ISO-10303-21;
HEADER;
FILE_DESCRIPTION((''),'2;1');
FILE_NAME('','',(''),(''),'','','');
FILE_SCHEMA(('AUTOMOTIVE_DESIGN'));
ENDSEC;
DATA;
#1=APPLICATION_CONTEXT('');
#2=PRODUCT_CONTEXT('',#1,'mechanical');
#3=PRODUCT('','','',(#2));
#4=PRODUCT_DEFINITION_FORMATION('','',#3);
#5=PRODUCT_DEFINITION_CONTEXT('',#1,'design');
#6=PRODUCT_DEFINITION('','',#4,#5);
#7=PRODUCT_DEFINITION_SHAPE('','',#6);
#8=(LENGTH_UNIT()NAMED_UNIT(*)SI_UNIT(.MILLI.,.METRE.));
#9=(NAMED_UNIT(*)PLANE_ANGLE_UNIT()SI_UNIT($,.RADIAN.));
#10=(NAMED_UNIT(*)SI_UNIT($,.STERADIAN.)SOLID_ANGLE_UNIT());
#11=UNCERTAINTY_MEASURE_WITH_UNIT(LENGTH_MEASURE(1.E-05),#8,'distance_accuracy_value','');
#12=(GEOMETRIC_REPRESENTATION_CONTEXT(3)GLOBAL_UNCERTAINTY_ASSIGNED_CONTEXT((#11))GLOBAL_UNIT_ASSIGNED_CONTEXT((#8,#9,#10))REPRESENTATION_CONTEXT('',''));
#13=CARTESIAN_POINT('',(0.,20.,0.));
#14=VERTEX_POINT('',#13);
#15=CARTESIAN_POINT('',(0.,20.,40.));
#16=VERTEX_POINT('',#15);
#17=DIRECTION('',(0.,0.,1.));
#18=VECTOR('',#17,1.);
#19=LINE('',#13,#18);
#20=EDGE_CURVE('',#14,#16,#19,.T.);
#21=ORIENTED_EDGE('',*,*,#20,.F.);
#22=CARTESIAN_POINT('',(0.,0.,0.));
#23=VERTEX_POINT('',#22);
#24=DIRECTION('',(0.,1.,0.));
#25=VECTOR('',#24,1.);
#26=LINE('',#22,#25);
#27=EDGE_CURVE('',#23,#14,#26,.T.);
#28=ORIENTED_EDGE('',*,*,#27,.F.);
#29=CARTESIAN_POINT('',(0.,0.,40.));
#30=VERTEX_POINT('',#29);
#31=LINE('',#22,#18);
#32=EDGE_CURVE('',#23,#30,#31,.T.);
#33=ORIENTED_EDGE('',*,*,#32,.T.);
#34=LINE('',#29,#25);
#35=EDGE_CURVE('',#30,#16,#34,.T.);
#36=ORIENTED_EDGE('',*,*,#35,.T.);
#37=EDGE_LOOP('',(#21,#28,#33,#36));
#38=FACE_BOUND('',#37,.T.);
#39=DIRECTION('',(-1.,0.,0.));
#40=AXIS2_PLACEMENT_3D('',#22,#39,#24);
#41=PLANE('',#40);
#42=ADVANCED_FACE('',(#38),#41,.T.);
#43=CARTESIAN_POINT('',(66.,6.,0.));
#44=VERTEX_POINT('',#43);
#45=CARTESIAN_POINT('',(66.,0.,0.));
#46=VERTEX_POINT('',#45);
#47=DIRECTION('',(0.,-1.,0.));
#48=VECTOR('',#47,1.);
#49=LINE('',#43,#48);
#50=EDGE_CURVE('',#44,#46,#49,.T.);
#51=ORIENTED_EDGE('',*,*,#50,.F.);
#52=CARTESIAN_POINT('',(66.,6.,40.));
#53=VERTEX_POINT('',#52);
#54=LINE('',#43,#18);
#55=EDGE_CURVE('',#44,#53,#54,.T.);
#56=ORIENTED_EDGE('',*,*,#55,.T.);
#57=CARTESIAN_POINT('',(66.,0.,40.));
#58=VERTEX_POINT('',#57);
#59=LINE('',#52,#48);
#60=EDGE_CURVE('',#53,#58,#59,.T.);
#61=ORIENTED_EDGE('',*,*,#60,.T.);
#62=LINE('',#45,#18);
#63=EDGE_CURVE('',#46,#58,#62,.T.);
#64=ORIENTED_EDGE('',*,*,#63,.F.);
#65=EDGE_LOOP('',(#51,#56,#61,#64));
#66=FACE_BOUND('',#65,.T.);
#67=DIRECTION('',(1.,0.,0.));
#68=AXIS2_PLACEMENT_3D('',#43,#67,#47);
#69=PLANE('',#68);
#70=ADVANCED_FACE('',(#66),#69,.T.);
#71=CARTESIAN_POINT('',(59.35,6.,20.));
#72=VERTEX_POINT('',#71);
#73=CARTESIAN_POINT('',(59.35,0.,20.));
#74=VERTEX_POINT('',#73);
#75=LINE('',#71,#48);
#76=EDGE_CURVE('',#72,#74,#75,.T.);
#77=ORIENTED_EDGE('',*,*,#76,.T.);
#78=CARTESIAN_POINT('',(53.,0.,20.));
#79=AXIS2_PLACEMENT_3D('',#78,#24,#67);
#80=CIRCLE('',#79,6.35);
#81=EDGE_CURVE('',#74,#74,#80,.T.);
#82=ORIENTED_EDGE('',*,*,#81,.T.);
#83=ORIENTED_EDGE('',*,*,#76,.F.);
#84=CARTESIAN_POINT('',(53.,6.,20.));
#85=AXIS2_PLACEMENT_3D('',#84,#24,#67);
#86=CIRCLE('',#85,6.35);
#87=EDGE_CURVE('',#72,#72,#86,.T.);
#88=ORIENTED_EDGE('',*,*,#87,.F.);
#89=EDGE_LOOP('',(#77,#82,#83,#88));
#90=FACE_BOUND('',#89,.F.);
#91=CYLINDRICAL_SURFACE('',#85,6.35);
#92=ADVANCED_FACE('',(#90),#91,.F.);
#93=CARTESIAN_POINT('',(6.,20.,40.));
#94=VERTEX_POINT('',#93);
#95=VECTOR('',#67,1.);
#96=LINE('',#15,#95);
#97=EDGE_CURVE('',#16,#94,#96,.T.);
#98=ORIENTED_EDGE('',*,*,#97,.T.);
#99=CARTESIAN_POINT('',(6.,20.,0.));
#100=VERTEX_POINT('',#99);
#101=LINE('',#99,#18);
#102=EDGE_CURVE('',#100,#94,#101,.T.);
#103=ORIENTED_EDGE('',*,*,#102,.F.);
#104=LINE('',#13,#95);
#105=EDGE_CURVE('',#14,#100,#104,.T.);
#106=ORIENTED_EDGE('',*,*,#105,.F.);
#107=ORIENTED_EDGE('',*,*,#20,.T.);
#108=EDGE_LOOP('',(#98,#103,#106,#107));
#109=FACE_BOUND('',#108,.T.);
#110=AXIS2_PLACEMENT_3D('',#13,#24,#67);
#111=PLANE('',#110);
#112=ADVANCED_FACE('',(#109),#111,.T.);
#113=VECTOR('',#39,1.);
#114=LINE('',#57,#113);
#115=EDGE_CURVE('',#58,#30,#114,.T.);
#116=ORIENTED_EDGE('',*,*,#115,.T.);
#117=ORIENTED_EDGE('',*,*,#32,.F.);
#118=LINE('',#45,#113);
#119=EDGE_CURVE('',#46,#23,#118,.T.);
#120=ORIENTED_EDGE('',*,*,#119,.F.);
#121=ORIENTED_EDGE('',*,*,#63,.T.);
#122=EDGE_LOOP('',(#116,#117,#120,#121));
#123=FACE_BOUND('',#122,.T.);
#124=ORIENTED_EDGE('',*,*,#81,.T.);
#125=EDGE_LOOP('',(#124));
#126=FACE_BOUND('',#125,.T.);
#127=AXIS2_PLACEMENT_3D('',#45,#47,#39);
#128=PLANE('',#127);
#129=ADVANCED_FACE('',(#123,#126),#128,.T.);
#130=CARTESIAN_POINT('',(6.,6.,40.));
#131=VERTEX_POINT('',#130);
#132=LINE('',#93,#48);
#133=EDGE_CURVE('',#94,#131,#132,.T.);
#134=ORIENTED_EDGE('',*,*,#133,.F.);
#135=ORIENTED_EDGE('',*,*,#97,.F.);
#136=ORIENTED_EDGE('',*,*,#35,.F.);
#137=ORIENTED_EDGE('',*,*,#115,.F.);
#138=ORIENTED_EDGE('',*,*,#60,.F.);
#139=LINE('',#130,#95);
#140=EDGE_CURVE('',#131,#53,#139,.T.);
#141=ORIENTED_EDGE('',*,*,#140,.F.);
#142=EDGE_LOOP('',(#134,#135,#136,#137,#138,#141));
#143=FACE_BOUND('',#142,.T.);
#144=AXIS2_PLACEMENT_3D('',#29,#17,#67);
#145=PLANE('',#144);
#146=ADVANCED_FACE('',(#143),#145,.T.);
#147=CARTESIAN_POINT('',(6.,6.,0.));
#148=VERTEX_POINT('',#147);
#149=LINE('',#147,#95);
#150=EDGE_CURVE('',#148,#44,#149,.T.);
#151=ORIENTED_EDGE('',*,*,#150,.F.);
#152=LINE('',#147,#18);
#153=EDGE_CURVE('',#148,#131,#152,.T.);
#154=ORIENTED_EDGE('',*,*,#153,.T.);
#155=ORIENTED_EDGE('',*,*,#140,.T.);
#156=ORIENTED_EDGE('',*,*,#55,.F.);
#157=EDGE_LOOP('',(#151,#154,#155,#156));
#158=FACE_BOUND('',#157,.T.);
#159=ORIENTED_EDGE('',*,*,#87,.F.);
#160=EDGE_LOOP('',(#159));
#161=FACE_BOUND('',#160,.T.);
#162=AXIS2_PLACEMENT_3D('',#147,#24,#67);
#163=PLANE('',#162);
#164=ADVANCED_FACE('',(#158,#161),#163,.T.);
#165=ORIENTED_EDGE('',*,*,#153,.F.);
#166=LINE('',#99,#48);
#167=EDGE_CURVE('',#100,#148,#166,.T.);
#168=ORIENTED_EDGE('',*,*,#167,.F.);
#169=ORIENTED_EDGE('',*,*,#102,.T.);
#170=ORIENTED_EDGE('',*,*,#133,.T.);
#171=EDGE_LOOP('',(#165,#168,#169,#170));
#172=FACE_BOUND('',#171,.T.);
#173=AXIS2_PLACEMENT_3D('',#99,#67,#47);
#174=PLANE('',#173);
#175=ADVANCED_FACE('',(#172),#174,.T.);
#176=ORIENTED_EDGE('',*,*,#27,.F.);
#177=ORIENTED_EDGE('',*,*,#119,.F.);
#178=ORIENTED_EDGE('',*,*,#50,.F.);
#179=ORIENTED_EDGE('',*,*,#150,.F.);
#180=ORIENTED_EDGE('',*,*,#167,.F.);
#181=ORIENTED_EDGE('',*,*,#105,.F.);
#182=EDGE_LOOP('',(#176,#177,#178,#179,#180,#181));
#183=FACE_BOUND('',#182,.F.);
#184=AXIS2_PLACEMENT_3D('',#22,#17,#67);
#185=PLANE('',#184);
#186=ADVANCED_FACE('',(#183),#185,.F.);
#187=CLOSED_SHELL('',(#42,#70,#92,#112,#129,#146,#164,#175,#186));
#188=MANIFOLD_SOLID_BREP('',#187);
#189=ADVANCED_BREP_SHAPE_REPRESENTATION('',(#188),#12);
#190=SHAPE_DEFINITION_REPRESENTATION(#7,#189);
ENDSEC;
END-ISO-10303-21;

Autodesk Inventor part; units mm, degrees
ref_plane "YZ Plane" through (0, 0, 0) normal (1, 0, 0) x (0, 1, 0)
ref_plane "XZ Plane" through (0, 0, 0) normal (0, 1, 0) x (-1, 0, 0)
ref_plane "XY Plane" through (0, 0, 0) normal (0, 0, 1) x (1, 0, 0)
sketch "Sketch1" plane through (0, 0, 0) normal (0, 0, 1) x (1, 0, 0)
  line L0 (0, 0) -> (0, 20)
  line L1 (0, 20) -> (6, 20)
  line L2 (6, 20) -> (6, 6)
  line L3 (6, 6) -> (66, 6)
  line L4 (66, 6) -> (66, 0)
  line L5 (66, 0) -> (0, 0)
  dimension "d0" = 20
  dimension "d1" = 6
  dimension "d2" = 14
  dimension "d3" = 60
  dimension "d4" = 6
extrude "Extrusion1" add sketch "Sketch1" along normal blind 40
sketch "Sketch2" plane through (6, 6, 0) normal (0, 1, 0) x (1, 0, 0)
  line L0 (0, 0) -> (0, -40) projected
  circle A0 centre (47, -20) radius 6.35
  line L1 (60, 0) -> (0, 0) projected
  line L2 (60, -40) -> (0, -40) projected
  point P0 (-6, 0)
  dimension "d8" = 12.7
extrude "Extrusion2" cut sketch "Sketch2" against normal blind 40
properties part number "motor_angle"
